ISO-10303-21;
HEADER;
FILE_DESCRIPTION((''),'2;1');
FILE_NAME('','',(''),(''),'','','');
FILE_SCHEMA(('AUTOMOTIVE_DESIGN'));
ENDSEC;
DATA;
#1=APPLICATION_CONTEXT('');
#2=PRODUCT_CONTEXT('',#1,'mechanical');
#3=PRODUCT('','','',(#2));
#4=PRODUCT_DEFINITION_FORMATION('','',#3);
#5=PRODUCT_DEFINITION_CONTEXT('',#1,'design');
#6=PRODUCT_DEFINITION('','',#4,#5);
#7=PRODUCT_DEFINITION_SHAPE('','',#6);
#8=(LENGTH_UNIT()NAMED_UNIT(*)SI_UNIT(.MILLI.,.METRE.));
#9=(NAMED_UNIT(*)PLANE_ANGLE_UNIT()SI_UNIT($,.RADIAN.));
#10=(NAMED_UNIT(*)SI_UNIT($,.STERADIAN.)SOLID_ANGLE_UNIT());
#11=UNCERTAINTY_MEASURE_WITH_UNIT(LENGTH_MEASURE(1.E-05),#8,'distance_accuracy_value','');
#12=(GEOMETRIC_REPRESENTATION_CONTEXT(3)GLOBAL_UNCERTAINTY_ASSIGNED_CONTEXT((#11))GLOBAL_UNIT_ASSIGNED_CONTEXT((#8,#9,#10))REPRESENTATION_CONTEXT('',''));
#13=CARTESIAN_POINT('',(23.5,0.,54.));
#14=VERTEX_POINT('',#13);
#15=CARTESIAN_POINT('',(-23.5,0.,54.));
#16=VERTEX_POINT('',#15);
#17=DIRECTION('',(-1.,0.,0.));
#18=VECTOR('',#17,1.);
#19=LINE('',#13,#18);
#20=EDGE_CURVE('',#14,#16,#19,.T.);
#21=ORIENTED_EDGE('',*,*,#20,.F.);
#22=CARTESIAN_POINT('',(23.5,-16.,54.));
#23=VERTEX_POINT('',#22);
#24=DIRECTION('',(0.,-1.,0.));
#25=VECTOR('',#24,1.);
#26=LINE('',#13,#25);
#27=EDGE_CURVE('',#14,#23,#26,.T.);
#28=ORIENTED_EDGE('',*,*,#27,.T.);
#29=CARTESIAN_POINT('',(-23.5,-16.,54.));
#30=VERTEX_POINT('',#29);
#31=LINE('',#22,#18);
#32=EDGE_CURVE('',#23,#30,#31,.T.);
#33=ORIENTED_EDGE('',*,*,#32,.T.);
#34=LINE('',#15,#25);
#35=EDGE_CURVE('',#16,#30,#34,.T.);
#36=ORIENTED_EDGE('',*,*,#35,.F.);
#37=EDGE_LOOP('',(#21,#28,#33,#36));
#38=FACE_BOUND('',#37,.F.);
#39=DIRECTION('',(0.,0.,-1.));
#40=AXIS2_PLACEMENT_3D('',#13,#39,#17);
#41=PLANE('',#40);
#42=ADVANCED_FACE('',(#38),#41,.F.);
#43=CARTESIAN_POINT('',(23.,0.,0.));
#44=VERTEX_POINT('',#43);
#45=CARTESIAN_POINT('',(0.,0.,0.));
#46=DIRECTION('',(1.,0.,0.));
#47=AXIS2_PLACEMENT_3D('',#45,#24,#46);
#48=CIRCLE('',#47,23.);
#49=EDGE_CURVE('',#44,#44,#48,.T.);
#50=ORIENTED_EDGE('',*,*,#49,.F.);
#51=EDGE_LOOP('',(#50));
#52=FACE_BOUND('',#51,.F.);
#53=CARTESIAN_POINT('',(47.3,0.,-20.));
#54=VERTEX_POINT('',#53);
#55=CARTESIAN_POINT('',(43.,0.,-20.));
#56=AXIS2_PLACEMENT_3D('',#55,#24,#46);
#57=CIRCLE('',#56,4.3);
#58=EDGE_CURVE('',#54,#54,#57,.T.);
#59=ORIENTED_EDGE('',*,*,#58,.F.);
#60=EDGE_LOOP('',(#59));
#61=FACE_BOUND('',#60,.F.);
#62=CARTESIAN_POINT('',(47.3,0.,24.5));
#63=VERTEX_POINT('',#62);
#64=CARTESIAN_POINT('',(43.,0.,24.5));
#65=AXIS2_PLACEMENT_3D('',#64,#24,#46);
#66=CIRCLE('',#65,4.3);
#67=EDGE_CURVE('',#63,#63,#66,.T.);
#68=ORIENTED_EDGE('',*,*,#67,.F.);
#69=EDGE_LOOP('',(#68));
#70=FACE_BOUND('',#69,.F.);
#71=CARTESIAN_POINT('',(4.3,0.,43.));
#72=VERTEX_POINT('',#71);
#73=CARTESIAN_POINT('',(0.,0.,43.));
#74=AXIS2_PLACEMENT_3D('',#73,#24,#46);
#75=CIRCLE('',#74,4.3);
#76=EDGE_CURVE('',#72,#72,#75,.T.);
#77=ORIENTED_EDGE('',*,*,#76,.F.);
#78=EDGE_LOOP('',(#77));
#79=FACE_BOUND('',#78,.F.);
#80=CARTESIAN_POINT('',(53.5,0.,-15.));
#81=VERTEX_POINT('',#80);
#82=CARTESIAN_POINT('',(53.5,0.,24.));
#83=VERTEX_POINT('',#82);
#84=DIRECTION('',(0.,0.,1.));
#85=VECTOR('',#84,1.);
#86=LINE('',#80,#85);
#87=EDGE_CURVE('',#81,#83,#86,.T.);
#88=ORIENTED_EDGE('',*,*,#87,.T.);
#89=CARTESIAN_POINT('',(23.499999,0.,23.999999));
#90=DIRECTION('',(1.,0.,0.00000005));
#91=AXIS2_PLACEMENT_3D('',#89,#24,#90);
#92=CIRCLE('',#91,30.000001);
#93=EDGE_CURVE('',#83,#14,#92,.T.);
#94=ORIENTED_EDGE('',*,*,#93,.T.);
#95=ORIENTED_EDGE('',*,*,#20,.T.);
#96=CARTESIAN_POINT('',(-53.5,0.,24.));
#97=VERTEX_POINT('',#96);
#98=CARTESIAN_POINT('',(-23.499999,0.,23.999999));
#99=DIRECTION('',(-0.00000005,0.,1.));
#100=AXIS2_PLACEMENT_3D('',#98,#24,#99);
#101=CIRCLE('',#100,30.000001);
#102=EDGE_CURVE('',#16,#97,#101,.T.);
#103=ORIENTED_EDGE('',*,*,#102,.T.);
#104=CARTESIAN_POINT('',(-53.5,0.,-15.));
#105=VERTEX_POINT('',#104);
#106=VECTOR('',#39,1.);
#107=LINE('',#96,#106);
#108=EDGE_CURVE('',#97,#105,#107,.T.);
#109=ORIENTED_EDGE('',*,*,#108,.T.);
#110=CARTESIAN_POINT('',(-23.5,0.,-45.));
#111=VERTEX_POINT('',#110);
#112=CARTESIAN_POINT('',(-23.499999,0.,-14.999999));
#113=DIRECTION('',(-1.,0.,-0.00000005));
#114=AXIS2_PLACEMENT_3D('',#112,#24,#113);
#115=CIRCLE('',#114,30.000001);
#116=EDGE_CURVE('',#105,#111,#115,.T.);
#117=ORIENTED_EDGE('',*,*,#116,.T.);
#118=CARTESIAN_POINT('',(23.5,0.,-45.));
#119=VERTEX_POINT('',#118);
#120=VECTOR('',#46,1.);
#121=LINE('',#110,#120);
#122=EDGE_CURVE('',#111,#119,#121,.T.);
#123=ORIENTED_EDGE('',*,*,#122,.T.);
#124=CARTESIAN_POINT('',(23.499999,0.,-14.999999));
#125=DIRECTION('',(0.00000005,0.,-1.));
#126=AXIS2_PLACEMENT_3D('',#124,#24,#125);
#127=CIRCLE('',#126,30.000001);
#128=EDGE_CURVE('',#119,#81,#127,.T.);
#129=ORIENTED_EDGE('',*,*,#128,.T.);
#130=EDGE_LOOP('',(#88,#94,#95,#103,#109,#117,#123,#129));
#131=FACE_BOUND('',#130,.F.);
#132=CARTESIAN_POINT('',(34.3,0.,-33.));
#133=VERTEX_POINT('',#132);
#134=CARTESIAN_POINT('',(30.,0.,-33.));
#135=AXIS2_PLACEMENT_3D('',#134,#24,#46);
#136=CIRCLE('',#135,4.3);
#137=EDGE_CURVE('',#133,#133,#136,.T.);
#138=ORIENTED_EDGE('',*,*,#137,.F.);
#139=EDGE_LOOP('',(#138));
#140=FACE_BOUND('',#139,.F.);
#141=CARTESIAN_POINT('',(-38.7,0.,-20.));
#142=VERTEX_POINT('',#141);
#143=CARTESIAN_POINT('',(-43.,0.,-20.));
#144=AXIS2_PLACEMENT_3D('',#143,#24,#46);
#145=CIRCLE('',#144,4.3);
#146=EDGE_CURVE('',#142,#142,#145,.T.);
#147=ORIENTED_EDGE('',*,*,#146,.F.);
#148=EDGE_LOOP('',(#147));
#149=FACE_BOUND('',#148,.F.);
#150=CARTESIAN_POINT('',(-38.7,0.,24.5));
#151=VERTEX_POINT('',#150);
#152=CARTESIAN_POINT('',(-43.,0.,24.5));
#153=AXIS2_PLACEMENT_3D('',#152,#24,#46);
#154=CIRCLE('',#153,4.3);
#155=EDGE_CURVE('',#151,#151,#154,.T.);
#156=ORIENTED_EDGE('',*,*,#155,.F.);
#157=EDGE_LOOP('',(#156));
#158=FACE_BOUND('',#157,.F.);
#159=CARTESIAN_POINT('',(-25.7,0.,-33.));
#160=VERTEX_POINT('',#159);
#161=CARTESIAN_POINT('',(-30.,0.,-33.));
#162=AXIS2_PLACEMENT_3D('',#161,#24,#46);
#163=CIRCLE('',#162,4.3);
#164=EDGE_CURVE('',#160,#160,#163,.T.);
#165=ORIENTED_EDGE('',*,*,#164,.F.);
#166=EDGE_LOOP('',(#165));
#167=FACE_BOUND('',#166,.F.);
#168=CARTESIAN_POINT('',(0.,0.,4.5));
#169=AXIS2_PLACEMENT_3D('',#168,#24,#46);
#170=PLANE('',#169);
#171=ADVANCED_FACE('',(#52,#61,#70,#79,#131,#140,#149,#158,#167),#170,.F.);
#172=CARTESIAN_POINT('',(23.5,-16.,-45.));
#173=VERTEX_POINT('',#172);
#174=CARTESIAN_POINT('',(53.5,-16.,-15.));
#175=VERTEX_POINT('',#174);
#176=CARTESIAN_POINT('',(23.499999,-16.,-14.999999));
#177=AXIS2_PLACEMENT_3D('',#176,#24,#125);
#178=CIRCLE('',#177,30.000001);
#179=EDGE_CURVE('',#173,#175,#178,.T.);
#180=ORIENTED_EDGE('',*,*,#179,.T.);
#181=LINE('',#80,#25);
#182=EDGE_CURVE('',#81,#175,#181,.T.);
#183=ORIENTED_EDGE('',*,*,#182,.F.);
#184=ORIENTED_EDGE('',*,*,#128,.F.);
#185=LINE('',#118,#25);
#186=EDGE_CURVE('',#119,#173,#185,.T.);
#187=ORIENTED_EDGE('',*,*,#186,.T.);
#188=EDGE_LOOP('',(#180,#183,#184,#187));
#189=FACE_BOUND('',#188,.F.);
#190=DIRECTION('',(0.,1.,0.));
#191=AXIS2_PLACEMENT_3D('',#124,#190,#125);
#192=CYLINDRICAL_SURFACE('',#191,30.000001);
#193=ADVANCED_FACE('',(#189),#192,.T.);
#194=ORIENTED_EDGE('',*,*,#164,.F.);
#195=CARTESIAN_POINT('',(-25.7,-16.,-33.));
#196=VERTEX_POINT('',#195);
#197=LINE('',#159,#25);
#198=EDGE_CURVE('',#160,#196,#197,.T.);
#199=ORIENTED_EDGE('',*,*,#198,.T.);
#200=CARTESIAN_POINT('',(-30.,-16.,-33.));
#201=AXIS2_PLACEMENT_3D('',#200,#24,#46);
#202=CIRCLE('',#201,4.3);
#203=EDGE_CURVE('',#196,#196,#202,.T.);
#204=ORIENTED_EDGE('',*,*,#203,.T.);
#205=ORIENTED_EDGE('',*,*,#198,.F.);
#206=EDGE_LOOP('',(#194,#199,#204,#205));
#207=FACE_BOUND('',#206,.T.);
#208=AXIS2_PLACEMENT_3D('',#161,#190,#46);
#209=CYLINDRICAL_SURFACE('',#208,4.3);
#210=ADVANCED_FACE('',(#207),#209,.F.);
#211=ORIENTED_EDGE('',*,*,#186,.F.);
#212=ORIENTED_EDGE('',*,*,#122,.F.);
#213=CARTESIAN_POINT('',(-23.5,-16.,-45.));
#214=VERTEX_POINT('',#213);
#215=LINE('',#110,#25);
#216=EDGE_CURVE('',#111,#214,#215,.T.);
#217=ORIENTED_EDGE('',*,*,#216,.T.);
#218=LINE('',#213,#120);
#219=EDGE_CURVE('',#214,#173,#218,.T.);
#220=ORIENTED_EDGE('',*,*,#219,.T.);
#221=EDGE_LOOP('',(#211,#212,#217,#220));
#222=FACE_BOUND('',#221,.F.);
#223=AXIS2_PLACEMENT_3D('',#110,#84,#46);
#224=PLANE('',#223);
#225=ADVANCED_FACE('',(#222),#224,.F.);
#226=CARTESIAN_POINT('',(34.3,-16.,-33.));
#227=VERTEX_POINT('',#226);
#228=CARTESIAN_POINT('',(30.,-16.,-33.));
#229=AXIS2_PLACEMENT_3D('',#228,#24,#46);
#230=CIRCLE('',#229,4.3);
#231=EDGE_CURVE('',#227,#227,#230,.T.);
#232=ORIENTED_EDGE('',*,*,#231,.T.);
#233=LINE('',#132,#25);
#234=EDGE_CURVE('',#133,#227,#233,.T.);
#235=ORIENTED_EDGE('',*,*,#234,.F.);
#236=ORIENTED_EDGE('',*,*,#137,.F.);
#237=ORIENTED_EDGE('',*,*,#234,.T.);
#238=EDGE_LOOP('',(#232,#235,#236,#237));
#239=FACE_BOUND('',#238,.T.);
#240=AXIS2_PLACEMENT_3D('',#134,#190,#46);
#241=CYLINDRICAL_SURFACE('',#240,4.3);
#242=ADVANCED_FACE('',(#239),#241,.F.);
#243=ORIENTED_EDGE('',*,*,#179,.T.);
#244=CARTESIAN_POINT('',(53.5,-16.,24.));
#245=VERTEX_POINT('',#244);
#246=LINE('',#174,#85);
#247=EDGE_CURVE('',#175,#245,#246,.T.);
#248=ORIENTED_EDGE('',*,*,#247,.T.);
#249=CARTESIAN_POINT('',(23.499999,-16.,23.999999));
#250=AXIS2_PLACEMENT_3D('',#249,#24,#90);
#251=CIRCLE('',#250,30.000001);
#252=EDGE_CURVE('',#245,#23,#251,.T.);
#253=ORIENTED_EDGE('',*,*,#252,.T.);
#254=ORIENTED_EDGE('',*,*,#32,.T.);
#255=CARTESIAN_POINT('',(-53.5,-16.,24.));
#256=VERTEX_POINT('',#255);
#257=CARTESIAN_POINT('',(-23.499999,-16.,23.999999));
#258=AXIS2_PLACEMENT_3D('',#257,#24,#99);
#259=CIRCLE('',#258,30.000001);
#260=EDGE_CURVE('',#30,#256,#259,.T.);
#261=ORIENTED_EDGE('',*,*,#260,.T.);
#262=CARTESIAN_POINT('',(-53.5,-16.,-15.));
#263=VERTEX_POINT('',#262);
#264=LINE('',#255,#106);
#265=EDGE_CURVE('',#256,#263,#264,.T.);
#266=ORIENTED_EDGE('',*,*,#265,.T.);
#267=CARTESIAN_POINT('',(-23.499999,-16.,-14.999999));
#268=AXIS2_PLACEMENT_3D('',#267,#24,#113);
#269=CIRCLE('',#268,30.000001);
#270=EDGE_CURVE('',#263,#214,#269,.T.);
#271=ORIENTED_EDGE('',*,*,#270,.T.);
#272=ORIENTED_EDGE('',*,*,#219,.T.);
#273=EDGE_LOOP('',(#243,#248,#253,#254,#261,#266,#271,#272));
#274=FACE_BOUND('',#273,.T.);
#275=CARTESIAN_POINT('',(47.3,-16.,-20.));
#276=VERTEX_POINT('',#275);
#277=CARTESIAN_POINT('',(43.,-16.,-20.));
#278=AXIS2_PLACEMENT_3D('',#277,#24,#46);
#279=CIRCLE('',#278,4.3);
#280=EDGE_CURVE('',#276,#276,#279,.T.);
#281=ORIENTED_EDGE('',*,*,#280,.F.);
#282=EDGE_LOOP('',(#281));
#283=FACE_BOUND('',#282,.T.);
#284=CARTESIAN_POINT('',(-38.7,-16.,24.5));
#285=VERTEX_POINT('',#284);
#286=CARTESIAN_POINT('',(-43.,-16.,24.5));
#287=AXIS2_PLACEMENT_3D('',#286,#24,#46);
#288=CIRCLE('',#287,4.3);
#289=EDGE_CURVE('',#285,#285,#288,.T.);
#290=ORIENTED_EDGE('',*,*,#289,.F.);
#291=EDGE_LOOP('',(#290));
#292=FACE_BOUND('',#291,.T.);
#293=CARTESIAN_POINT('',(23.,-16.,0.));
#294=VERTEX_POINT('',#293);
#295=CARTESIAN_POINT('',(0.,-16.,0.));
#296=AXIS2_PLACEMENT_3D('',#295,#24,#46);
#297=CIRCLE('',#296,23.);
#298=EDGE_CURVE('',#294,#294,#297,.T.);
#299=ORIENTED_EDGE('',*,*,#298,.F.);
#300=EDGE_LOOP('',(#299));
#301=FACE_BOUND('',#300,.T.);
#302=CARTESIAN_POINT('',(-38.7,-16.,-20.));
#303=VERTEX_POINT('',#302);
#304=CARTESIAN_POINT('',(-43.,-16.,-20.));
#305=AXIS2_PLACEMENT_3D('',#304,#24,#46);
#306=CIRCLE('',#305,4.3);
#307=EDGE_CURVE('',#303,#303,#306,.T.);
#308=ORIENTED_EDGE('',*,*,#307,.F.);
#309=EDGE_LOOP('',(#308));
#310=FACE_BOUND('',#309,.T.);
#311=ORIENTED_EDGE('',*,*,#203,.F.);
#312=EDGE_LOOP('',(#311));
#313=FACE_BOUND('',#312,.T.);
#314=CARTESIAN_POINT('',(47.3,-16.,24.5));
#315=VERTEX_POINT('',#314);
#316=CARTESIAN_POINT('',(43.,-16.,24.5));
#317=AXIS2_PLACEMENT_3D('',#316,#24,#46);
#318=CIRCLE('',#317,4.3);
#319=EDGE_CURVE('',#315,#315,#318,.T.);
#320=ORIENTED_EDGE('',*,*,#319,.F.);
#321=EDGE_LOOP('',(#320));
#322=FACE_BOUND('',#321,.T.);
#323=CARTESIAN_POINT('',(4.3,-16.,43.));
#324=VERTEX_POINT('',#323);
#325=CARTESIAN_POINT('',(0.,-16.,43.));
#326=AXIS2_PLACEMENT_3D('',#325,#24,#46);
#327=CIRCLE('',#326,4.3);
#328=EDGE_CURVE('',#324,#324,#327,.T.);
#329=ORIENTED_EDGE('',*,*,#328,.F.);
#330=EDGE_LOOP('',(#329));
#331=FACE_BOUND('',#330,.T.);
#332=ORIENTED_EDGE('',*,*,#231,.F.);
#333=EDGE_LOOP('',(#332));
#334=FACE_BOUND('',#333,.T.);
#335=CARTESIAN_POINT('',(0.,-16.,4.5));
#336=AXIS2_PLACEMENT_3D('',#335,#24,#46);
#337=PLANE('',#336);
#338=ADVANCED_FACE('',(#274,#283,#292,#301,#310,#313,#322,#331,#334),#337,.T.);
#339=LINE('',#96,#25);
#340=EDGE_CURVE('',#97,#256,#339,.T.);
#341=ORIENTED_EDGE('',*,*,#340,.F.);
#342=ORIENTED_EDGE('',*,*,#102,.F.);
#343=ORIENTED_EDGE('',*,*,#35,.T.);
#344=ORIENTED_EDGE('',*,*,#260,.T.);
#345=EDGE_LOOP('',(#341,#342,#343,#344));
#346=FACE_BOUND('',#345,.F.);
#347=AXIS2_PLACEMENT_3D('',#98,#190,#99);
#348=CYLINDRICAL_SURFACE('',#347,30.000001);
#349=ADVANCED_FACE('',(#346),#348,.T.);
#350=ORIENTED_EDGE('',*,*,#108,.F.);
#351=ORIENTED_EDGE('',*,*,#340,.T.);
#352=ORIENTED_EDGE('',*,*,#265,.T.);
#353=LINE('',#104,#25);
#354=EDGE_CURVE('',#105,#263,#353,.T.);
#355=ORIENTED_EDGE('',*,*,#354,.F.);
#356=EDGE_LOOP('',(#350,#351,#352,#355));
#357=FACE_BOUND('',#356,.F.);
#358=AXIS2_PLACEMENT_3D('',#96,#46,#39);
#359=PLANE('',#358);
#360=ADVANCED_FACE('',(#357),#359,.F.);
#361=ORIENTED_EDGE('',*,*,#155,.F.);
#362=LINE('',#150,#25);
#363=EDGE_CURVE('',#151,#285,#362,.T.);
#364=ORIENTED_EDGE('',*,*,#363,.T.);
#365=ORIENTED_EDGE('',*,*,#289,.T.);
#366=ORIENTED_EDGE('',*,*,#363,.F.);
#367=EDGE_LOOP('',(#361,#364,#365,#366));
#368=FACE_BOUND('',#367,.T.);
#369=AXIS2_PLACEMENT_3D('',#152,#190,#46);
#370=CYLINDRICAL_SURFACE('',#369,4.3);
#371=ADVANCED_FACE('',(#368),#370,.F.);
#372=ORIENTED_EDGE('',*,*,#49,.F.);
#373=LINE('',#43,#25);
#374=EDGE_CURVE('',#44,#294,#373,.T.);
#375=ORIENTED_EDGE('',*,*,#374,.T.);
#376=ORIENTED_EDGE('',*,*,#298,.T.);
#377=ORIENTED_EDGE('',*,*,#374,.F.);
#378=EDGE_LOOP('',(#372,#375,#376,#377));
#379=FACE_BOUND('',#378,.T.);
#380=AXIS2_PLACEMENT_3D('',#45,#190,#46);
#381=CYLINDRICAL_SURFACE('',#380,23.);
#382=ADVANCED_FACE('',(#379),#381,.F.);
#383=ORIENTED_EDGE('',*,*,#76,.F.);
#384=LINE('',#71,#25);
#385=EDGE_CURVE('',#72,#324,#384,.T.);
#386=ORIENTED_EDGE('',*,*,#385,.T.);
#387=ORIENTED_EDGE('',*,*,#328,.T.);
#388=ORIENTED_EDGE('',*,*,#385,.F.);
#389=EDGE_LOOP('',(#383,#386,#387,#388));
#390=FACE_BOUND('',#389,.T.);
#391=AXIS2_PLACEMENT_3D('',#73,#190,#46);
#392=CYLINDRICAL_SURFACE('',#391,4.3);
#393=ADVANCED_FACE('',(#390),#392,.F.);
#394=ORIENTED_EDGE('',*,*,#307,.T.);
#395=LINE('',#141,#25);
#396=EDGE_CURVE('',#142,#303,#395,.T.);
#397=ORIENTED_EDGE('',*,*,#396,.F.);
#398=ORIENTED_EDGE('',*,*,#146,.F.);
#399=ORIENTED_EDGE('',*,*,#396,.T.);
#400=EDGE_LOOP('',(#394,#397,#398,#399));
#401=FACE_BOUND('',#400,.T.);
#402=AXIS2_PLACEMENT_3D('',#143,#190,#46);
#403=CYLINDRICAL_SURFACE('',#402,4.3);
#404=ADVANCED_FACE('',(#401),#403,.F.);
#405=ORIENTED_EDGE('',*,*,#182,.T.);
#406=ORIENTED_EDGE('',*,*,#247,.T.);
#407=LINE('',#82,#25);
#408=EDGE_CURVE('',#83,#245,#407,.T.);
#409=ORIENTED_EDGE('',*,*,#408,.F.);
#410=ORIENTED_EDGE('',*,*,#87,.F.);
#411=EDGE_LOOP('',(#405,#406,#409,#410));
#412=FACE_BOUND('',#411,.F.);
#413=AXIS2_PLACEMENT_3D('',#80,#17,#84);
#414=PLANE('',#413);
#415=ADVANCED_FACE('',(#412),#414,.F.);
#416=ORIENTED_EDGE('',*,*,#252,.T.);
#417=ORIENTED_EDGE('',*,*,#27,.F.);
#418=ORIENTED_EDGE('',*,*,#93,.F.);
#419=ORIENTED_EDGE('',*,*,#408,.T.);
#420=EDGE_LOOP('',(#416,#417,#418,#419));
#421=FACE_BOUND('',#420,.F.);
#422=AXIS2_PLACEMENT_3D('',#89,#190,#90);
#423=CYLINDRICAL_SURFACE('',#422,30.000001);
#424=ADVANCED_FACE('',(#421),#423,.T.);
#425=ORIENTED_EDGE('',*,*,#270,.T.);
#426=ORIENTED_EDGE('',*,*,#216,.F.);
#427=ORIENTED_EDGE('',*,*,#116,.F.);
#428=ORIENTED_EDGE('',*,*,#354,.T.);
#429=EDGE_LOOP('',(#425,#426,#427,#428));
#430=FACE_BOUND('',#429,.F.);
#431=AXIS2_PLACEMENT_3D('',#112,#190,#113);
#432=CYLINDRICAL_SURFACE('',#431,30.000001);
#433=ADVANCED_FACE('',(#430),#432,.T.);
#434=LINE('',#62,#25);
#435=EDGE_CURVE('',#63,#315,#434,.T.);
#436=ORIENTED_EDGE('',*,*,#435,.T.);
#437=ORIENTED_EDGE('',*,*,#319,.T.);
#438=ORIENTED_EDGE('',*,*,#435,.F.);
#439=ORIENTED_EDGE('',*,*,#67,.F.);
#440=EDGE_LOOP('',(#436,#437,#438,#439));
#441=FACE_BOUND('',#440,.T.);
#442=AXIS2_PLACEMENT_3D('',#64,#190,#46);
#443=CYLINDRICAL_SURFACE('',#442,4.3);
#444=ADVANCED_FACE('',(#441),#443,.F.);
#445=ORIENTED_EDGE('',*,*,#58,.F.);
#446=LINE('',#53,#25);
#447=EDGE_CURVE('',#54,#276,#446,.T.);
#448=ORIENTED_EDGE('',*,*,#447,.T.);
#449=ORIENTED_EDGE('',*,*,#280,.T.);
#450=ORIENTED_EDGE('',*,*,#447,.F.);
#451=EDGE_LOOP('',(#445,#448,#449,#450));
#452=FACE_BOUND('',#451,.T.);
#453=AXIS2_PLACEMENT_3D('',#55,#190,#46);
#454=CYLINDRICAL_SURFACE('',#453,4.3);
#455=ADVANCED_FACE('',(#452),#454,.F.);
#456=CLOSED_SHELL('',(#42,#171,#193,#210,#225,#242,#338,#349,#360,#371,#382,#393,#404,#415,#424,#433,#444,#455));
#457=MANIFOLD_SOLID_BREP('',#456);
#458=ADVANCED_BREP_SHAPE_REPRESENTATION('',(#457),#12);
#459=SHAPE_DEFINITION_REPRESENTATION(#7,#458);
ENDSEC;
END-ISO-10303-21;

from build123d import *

# Parameters (mm, degrees)
F0_R     = 4.3
F0_R_2   = 23
F1_DEPTH = 16


with BuildPart() as f1:
    # F0 (on Front) → F1 (new body)
    with BuildSketch(Plane.XZ):
        with BuildLine():
            Line((23.5, 54), (-23.5, 54))
            ThreePointArc((-23.5, 54), (-44.713203, 45.213203), (-53.5, 24))
            Line((-53.5, 24), (-53.5, -15))
            ThreePointArc((-53.5, -15), (-44.713203, -36.213203), (-23.5, -45))
            Line((-23.5, -45), (23.5, -45))
            ThreePointArc((23.5, -45), (44.713203, -36.213203), (53.5, -15))
            Line((53.5, -15), (53.5, 24))
            ThreePointArc((53.5, 24), (44.713203, 45.213203), (23.5, 54))
        make_face()
        with Locations((-30, -33)):
            Circle(F0_R, mode=Mode.SUBTRACT)
        with Locations((-43, -20)):
            Circle(F0_R, mode=Mode.SUBTRACT)
        Circle(F0_R_2, mode=Mode.SUBTRACT)
        with Locations((30, -33)):
            Circle(F0_R, mode=Mode.SUBTRACT)
        with Locations((43, -20)):
            Circle(F0_R, mode=Mode.SUBTRACT)
        with Locations((-43, 24.5)):
            Circle(F0_R, mode=Mode.SUBTRACT)
        with Locations((0, 43)):
            Circle(F0_R, mode=Mode.SUBTRACT)
        with Locations((43, 24.5)):
            Circle(F0_R, mode=Mode.SUBTRACT)
    extrude(amount=F1_DEPTH)


solid = f1.part
